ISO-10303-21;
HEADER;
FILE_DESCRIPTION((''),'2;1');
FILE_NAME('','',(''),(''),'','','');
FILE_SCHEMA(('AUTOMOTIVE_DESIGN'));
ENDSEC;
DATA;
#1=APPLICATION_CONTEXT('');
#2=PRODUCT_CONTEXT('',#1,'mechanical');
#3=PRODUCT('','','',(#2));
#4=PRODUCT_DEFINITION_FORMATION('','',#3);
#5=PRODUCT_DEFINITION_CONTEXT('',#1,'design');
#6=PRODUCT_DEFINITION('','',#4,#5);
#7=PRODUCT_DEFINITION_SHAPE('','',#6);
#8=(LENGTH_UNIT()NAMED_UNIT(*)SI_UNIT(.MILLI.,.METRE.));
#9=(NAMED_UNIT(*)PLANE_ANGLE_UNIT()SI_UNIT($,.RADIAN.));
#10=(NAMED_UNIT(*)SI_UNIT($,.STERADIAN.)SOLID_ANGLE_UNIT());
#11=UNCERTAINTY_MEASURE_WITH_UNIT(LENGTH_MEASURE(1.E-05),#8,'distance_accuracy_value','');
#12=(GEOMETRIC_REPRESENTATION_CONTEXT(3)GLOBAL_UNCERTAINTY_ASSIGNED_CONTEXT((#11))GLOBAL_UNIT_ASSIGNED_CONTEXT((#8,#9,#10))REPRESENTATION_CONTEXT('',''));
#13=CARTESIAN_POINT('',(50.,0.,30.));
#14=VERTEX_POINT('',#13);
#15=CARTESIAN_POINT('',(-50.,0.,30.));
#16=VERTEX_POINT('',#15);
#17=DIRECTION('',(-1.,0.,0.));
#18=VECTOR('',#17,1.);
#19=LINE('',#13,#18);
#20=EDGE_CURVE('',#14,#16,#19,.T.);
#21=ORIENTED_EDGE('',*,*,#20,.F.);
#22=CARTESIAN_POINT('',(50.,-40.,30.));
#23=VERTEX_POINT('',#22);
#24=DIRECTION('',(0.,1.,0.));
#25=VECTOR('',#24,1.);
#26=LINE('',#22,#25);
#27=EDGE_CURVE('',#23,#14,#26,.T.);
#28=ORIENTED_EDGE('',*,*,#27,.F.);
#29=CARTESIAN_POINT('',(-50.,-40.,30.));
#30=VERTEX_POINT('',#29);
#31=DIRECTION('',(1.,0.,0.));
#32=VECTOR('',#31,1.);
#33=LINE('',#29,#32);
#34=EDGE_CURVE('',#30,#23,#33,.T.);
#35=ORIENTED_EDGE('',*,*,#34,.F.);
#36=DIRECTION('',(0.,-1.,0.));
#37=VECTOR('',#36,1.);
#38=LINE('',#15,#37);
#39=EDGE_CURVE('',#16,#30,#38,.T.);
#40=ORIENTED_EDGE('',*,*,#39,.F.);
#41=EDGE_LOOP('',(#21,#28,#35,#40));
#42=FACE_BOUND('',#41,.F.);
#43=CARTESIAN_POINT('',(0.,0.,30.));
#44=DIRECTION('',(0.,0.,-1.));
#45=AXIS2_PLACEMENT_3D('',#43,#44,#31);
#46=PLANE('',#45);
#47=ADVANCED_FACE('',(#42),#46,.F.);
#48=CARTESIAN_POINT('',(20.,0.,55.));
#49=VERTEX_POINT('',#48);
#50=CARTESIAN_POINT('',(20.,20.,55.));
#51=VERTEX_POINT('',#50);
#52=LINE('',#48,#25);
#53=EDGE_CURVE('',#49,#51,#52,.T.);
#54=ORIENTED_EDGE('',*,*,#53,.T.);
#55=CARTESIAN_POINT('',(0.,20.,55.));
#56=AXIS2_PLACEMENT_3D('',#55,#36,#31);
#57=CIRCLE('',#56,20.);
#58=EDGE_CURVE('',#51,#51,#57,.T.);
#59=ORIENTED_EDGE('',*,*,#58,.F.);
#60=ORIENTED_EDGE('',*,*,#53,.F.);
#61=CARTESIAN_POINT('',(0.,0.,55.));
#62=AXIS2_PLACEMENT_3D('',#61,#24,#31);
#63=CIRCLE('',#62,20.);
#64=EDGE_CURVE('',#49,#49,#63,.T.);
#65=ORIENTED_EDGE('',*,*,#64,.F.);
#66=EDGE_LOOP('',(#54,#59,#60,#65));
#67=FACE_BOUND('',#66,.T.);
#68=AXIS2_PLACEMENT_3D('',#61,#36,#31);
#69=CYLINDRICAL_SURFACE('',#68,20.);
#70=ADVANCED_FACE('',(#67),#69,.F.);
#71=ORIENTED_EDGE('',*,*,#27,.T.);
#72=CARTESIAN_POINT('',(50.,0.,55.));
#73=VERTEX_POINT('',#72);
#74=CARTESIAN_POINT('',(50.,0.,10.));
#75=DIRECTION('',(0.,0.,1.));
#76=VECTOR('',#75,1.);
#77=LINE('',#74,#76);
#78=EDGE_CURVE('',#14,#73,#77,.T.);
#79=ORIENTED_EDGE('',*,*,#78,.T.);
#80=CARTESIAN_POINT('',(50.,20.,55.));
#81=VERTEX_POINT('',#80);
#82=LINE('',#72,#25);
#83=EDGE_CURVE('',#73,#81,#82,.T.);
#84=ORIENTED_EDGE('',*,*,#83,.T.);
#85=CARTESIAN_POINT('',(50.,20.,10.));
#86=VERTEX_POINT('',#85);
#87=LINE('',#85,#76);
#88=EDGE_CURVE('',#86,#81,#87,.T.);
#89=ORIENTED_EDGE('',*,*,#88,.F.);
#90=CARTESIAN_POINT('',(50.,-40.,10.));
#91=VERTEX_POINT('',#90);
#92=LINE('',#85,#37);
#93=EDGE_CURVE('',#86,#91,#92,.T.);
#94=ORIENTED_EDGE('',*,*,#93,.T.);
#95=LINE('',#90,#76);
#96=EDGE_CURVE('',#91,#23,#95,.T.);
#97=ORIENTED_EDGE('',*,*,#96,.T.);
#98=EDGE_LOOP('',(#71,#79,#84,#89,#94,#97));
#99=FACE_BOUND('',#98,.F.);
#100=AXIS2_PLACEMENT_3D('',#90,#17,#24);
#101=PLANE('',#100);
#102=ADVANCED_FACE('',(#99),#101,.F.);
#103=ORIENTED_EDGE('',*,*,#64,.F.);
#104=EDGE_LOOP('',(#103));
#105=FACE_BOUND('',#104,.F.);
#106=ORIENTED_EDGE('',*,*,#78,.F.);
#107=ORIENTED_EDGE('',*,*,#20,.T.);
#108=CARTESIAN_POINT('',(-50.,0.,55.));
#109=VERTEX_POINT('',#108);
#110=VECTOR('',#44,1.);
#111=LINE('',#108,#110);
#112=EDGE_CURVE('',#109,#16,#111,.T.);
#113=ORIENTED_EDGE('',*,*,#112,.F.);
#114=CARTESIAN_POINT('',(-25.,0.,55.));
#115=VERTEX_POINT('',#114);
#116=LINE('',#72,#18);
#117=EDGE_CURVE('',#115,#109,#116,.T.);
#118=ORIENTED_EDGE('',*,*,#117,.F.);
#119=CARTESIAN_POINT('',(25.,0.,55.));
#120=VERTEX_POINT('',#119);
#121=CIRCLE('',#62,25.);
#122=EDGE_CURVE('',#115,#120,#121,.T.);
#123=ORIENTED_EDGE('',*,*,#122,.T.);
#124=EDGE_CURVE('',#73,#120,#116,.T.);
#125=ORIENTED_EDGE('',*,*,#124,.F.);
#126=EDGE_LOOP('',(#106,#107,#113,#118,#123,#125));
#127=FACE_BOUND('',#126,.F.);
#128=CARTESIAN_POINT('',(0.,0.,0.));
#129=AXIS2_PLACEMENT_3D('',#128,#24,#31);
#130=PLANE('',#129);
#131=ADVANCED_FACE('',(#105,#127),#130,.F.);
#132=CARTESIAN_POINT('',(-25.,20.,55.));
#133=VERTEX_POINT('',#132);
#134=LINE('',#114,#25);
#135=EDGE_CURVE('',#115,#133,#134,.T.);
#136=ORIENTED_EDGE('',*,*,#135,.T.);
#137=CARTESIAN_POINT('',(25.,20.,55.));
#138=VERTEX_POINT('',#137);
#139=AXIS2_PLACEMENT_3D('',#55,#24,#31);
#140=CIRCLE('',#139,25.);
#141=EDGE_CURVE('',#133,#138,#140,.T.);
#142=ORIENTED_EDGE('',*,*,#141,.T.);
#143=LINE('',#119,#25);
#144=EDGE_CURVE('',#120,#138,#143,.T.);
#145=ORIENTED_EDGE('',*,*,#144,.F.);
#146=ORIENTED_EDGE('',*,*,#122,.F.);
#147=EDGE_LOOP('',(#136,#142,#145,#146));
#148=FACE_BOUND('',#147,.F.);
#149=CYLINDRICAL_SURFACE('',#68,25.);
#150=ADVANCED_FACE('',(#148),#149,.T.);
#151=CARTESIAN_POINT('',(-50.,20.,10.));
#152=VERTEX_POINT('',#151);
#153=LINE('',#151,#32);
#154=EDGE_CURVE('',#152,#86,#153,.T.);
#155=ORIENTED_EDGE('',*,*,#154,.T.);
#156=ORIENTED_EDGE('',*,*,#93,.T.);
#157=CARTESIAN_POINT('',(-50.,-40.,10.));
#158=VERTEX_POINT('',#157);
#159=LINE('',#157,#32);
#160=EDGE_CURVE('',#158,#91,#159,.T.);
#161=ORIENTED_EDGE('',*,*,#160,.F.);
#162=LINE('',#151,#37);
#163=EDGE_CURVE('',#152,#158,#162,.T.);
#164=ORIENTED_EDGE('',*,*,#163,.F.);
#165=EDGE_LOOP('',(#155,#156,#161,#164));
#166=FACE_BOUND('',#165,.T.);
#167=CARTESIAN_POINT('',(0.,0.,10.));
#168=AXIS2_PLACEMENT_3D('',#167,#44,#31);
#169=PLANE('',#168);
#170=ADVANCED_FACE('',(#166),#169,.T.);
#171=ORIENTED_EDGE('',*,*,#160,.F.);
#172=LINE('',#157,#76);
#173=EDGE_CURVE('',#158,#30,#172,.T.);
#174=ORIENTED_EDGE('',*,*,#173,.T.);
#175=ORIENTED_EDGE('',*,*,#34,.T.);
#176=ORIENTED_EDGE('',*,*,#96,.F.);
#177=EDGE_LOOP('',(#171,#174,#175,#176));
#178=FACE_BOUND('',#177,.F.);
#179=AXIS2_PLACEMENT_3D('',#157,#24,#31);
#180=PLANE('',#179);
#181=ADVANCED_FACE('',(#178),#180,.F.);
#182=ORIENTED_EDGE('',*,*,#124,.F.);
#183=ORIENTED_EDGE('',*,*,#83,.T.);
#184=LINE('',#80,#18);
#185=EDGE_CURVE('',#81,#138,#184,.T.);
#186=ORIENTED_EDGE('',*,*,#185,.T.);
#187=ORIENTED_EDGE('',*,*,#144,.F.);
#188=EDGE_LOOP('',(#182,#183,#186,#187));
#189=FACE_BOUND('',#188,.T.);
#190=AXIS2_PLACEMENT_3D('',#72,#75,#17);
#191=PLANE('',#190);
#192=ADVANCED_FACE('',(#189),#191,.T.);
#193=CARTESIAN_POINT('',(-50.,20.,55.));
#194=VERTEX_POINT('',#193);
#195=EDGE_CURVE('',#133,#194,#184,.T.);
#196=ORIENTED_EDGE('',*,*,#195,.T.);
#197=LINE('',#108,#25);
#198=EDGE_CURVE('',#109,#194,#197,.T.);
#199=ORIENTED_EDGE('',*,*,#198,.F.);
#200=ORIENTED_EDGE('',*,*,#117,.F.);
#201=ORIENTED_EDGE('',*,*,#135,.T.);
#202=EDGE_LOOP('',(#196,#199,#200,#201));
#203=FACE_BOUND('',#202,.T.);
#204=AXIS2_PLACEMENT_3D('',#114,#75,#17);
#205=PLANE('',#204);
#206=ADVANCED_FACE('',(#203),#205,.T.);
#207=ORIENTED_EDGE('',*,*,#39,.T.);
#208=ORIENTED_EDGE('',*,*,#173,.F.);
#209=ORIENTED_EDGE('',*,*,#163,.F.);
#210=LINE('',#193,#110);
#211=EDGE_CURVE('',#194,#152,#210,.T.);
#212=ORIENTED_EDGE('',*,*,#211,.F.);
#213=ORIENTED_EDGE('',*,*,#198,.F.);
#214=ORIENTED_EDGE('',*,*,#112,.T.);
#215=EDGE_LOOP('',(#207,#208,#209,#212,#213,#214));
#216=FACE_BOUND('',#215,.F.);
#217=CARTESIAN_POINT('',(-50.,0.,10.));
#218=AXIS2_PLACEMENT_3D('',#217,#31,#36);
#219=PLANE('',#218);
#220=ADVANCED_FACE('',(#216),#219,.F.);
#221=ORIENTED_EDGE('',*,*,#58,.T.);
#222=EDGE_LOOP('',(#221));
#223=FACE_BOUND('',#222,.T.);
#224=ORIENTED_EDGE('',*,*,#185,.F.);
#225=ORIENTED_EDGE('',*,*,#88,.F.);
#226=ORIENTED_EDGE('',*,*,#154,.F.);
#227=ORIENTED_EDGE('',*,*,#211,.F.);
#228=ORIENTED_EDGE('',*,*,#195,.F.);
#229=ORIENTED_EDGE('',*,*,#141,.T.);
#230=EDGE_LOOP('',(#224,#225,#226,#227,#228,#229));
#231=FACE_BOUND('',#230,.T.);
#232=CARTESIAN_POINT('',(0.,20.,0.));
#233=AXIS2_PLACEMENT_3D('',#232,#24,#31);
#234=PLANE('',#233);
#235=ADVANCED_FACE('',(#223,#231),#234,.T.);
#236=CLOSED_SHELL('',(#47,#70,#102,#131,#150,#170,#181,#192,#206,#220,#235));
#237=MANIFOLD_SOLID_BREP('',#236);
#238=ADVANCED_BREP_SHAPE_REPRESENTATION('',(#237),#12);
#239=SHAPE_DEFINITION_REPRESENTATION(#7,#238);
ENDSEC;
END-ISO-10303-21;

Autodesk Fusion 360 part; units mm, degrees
sketch "Sketch1" plane through (0, 0, 0) normal (0, 1, 0) x (1, 0, 0)
  line L0 (-50, -10) -> (50, -10)
  line L1 (50, -10) -> (50, -55)
  line L2 (50, -55) -> (-50, -55)
  line L3 (-50, -55) -> (-50, -10)
  circle A0 centre (0, -55) radius 20
  circle A1 centre (0, -55) radius 25
  dimension "d1" = 100
  dimension "d2" = 45
  dimension "d4" = 50
extrude "Extrude1" add sketch "Sketch1" along normal blind 20 contours L0 L1 L2 L3 A1 | L2 A0 A1 | L2 A0 A1
sketch "Sketch2" plane through (0, 0, 10) normal (0, 0, -1) x (1, 0, 0)
  line L0 (50, 0) -> (-50, 0)
  line L1 (-50, 0) -> (-50, -20)
  line L2 (-50, -20) -> (50, -20)
  line L3 (50, -20) -> (50, 0)
  line L4 (-50, 0) -> (-50, 40)
  line L5 (-50, 40) -> (50, 40)
  line L6 (50, 40) -> (50, 0)
  dimension "d7" = 40
extrude "Extrude2" add sketch "Sketch2" against normal blind 20 contours L0 L4 L5 L6
